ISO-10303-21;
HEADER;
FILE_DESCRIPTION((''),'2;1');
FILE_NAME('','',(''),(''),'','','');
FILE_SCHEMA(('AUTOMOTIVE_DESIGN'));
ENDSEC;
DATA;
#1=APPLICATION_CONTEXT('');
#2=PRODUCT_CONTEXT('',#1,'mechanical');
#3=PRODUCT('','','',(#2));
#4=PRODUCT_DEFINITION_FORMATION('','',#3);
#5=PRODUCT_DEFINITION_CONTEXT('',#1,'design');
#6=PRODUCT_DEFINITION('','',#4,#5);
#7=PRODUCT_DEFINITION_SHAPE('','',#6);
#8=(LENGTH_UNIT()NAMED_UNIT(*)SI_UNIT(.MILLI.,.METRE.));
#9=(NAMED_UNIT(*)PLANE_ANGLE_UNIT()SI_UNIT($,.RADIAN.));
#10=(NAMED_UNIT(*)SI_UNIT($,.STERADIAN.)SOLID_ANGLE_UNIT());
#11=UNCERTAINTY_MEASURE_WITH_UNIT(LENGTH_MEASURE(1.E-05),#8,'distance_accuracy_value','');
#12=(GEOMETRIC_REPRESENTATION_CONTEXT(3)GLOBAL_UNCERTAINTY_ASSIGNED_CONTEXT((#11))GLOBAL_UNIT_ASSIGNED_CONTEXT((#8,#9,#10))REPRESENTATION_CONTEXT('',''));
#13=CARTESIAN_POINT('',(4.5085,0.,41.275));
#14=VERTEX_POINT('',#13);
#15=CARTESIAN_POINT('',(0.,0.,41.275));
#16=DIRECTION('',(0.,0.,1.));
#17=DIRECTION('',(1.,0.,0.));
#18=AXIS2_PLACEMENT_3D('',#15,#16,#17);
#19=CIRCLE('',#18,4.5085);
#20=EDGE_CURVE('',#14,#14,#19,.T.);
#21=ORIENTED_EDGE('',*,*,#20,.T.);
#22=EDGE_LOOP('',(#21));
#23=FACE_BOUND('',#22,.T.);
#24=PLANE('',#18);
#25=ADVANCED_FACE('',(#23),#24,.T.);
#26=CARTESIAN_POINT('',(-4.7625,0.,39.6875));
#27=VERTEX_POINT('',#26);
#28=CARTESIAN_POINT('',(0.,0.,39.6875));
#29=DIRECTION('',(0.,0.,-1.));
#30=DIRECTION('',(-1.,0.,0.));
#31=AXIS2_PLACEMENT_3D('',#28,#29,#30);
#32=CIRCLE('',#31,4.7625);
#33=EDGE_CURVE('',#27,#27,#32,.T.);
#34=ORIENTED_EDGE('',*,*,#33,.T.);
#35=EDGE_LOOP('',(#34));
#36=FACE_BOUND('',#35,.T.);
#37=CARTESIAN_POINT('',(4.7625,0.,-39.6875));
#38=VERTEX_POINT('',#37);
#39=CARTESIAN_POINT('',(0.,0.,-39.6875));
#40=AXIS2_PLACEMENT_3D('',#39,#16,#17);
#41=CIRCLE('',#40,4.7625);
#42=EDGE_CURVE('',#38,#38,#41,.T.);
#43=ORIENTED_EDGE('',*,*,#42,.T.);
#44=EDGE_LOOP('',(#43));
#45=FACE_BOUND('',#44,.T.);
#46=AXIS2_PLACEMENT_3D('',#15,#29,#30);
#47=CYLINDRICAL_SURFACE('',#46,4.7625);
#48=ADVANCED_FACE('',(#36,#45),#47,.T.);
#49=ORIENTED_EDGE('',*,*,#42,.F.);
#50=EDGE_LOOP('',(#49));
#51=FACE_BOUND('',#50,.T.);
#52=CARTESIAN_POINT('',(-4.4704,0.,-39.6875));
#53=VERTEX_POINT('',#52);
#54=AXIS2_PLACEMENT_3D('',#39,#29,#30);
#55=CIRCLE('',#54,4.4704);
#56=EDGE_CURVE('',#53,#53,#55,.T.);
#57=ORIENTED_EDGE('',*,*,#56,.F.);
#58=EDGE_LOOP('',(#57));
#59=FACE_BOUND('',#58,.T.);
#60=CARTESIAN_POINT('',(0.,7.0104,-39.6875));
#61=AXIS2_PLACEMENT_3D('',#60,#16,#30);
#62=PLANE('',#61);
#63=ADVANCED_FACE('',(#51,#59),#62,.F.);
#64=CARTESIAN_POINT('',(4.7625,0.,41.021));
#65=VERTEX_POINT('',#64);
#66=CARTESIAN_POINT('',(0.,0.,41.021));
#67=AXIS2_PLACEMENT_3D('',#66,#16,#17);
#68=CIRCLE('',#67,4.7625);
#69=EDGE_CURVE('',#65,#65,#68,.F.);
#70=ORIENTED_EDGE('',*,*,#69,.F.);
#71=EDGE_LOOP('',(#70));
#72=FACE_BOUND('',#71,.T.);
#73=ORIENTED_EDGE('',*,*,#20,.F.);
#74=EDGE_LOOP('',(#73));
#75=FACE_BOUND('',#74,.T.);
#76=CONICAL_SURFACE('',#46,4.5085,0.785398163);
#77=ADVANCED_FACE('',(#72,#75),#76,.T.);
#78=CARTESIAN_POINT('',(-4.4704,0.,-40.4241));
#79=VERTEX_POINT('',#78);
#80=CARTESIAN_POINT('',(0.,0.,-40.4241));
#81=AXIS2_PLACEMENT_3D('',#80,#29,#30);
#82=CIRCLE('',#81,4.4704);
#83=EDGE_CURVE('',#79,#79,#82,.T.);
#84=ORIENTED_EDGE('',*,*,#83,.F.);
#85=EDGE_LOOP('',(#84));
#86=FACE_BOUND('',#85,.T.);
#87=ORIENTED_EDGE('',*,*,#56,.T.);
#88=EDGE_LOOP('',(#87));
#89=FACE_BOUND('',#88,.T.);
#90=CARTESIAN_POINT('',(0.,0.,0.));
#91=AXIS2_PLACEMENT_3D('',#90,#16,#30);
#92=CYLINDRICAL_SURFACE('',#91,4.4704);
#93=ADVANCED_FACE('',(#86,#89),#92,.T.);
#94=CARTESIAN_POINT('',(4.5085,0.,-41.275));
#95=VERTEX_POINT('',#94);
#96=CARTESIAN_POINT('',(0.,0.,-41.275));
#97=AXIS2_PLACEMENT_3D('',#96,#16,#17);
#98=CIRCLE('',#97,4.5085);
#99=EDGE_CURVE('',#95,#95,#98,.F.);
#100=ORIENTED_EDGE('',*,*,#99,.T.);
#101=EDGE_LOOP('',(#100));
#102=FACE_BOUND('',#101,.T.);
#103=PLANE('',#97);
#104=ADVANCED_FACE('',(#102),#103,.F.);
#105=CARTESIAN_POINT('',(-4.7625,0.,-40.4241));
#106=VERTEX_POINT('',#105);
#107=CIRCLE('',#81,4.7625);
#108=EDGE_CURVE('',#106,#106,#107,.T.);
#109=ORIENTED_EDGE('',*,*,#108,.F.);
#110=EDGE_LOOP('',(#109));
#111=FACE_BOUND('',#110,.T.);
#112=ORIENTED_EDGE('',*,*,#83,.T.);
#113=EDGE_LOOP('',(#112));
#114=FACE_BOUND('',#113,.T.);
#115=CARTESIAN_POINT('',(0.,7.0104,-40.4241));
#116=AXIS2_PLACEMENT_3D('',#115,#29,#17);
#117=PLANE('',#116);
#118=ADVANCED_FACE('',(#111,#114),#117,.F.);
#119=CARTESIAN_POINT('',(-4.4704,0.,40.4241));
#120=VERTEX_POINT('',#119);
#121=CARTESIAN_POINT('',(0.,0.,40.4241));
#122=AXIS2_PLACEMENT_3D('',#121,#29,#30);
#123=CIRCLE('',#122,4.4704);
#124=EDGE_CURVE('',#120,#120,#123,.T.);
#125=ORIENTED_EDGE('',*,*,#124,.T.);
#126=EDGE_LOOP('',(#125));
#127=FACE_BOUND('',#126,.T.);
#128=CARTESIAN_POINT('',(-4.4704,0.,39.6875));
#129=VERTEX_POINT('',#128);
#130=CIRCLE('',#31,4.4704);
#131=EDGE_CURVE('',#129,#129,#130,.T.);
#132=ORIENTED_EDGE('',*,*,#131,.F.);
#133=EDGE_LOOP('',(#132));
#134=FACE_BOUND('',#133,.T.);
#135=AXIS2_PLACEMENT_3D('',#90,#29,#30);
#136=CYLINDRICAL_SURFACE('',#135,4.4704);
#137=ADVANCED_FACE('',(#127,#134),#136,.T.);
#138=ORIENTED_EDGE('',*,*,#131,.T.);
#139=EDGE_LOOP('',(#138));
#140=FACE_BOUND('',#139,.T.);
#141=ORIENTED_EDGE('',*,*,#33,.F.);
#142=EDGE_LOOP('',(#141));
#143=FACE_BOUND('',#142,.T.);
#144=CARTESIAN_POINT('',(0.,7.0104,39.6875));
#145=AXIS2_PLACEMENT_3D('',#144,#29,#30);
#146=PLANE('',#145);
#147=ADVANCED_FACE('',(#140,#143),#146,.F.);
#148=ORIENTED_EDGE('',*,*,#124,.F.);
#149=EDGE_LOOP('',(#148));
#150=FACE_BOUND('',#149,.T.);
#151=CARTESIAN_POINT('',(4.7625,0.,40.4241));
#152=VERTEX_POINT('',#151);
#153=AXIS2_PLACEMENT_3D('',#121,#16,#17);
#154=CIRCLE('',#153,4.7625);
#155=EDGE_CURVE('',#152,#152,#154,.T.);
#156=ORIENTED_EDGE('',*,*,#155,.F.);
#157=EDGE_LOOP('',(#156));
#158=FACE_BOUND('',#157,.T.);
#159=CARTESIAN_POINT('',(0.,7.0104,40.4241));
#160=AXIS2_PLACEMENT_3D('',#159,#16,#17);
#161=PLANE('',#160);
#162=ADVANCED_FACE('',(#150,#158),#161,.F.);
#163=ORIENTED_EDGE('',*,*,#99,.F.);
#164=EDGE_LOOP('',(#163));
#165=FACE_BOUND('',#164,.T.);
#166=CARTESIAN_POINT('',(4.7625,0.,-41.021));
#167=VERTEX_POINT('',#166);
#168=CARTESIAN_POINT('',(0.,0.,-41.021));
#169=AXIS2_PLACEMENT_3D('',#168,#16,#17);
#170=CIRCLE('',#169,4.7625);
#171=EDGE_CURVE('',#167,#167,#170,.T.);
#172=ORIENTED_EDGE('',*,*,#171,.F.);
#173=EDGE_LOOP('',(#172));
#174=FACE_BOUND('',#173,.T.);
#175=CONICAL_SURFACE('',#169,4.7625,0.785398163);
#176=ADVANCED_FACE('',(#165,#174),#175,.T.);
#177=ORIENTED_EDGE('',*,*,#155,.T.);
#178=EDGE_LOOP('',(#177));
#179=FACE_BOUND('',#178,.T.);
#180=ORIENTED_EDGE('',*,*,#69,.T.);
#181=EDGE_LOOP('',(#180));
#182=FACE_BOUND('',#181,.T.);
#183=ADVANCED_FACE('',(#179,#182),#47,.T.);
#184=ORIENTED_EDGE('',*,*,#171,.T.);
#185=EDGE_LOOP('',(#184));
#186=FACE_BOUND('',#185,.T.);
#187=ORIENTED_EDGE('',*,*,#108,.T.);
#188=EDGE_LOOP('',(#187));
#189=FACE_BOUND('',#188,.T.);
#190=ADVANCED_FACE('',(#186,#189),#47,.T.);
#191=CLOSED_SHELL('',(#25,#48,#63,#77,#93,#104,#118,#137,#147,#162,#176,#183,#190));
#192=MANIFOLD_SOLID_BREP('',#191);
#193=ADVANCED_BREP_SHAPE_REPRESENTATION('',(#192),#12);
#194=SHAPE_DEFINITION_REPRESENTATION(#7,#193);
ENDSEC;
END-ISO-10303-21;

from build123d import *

# Parameters (mm, degrees)
SKETCH1_R           = 4.7625
BOSS_EXTRUDE1_DEPTH = 41.275
SKETCH2_W           = 0.7366
SKETCH2_H           = 2.54
CHAMFER1_SIZE       = 0.254


with BuildPart() as part:
    # Sketch1 → Boss-Extrude1 (new, symmetric)
    with BuildSketch(Plane.XY):
        Circle(SKETCH1_R)
    extrude(amount=BOSS_EXTRUDE1_DEPTH, both=True)

    # Sketch2 → Cut-Revolve1 (revolve, cut)
    with BuildSketch(Plane(origin=(0, 0, 0), x_dir=(0, 0, -1), z_dir=(1, 0, 0)), mode=Mode.PRIVATE) as cut_revolve1_sk:
        with Locations((-40.0558, 5.7404)):
            Rectangle(SKETCH2_W, SKETCH2_H)
    cut_revolve1 = revolve(cut_revolve1_sk.sketch.rotate(Axis((0, 0, 0), (0, 0, 1)), 90), axis=Axis((0, 0, 0), (0, 0, 1)), mode=Mode.SUBTRACT)

    # Chamfer1
    chamfer1_edges = [part.edges().sort_by_distance(p)[0] for p in [
        (-4.7625, 0, -41.275),
        (-4.7625, 0, 41.275),
    ]]
    chamfer(chamfer1_edges, length=CHAMFER1_SIZE)

    # Mirror3: Cut-Revolve1 across plane
    add(cut_revolve1.mirror(Plane.XY), mode=Mode.SUBTRACT)


solid = part.part
